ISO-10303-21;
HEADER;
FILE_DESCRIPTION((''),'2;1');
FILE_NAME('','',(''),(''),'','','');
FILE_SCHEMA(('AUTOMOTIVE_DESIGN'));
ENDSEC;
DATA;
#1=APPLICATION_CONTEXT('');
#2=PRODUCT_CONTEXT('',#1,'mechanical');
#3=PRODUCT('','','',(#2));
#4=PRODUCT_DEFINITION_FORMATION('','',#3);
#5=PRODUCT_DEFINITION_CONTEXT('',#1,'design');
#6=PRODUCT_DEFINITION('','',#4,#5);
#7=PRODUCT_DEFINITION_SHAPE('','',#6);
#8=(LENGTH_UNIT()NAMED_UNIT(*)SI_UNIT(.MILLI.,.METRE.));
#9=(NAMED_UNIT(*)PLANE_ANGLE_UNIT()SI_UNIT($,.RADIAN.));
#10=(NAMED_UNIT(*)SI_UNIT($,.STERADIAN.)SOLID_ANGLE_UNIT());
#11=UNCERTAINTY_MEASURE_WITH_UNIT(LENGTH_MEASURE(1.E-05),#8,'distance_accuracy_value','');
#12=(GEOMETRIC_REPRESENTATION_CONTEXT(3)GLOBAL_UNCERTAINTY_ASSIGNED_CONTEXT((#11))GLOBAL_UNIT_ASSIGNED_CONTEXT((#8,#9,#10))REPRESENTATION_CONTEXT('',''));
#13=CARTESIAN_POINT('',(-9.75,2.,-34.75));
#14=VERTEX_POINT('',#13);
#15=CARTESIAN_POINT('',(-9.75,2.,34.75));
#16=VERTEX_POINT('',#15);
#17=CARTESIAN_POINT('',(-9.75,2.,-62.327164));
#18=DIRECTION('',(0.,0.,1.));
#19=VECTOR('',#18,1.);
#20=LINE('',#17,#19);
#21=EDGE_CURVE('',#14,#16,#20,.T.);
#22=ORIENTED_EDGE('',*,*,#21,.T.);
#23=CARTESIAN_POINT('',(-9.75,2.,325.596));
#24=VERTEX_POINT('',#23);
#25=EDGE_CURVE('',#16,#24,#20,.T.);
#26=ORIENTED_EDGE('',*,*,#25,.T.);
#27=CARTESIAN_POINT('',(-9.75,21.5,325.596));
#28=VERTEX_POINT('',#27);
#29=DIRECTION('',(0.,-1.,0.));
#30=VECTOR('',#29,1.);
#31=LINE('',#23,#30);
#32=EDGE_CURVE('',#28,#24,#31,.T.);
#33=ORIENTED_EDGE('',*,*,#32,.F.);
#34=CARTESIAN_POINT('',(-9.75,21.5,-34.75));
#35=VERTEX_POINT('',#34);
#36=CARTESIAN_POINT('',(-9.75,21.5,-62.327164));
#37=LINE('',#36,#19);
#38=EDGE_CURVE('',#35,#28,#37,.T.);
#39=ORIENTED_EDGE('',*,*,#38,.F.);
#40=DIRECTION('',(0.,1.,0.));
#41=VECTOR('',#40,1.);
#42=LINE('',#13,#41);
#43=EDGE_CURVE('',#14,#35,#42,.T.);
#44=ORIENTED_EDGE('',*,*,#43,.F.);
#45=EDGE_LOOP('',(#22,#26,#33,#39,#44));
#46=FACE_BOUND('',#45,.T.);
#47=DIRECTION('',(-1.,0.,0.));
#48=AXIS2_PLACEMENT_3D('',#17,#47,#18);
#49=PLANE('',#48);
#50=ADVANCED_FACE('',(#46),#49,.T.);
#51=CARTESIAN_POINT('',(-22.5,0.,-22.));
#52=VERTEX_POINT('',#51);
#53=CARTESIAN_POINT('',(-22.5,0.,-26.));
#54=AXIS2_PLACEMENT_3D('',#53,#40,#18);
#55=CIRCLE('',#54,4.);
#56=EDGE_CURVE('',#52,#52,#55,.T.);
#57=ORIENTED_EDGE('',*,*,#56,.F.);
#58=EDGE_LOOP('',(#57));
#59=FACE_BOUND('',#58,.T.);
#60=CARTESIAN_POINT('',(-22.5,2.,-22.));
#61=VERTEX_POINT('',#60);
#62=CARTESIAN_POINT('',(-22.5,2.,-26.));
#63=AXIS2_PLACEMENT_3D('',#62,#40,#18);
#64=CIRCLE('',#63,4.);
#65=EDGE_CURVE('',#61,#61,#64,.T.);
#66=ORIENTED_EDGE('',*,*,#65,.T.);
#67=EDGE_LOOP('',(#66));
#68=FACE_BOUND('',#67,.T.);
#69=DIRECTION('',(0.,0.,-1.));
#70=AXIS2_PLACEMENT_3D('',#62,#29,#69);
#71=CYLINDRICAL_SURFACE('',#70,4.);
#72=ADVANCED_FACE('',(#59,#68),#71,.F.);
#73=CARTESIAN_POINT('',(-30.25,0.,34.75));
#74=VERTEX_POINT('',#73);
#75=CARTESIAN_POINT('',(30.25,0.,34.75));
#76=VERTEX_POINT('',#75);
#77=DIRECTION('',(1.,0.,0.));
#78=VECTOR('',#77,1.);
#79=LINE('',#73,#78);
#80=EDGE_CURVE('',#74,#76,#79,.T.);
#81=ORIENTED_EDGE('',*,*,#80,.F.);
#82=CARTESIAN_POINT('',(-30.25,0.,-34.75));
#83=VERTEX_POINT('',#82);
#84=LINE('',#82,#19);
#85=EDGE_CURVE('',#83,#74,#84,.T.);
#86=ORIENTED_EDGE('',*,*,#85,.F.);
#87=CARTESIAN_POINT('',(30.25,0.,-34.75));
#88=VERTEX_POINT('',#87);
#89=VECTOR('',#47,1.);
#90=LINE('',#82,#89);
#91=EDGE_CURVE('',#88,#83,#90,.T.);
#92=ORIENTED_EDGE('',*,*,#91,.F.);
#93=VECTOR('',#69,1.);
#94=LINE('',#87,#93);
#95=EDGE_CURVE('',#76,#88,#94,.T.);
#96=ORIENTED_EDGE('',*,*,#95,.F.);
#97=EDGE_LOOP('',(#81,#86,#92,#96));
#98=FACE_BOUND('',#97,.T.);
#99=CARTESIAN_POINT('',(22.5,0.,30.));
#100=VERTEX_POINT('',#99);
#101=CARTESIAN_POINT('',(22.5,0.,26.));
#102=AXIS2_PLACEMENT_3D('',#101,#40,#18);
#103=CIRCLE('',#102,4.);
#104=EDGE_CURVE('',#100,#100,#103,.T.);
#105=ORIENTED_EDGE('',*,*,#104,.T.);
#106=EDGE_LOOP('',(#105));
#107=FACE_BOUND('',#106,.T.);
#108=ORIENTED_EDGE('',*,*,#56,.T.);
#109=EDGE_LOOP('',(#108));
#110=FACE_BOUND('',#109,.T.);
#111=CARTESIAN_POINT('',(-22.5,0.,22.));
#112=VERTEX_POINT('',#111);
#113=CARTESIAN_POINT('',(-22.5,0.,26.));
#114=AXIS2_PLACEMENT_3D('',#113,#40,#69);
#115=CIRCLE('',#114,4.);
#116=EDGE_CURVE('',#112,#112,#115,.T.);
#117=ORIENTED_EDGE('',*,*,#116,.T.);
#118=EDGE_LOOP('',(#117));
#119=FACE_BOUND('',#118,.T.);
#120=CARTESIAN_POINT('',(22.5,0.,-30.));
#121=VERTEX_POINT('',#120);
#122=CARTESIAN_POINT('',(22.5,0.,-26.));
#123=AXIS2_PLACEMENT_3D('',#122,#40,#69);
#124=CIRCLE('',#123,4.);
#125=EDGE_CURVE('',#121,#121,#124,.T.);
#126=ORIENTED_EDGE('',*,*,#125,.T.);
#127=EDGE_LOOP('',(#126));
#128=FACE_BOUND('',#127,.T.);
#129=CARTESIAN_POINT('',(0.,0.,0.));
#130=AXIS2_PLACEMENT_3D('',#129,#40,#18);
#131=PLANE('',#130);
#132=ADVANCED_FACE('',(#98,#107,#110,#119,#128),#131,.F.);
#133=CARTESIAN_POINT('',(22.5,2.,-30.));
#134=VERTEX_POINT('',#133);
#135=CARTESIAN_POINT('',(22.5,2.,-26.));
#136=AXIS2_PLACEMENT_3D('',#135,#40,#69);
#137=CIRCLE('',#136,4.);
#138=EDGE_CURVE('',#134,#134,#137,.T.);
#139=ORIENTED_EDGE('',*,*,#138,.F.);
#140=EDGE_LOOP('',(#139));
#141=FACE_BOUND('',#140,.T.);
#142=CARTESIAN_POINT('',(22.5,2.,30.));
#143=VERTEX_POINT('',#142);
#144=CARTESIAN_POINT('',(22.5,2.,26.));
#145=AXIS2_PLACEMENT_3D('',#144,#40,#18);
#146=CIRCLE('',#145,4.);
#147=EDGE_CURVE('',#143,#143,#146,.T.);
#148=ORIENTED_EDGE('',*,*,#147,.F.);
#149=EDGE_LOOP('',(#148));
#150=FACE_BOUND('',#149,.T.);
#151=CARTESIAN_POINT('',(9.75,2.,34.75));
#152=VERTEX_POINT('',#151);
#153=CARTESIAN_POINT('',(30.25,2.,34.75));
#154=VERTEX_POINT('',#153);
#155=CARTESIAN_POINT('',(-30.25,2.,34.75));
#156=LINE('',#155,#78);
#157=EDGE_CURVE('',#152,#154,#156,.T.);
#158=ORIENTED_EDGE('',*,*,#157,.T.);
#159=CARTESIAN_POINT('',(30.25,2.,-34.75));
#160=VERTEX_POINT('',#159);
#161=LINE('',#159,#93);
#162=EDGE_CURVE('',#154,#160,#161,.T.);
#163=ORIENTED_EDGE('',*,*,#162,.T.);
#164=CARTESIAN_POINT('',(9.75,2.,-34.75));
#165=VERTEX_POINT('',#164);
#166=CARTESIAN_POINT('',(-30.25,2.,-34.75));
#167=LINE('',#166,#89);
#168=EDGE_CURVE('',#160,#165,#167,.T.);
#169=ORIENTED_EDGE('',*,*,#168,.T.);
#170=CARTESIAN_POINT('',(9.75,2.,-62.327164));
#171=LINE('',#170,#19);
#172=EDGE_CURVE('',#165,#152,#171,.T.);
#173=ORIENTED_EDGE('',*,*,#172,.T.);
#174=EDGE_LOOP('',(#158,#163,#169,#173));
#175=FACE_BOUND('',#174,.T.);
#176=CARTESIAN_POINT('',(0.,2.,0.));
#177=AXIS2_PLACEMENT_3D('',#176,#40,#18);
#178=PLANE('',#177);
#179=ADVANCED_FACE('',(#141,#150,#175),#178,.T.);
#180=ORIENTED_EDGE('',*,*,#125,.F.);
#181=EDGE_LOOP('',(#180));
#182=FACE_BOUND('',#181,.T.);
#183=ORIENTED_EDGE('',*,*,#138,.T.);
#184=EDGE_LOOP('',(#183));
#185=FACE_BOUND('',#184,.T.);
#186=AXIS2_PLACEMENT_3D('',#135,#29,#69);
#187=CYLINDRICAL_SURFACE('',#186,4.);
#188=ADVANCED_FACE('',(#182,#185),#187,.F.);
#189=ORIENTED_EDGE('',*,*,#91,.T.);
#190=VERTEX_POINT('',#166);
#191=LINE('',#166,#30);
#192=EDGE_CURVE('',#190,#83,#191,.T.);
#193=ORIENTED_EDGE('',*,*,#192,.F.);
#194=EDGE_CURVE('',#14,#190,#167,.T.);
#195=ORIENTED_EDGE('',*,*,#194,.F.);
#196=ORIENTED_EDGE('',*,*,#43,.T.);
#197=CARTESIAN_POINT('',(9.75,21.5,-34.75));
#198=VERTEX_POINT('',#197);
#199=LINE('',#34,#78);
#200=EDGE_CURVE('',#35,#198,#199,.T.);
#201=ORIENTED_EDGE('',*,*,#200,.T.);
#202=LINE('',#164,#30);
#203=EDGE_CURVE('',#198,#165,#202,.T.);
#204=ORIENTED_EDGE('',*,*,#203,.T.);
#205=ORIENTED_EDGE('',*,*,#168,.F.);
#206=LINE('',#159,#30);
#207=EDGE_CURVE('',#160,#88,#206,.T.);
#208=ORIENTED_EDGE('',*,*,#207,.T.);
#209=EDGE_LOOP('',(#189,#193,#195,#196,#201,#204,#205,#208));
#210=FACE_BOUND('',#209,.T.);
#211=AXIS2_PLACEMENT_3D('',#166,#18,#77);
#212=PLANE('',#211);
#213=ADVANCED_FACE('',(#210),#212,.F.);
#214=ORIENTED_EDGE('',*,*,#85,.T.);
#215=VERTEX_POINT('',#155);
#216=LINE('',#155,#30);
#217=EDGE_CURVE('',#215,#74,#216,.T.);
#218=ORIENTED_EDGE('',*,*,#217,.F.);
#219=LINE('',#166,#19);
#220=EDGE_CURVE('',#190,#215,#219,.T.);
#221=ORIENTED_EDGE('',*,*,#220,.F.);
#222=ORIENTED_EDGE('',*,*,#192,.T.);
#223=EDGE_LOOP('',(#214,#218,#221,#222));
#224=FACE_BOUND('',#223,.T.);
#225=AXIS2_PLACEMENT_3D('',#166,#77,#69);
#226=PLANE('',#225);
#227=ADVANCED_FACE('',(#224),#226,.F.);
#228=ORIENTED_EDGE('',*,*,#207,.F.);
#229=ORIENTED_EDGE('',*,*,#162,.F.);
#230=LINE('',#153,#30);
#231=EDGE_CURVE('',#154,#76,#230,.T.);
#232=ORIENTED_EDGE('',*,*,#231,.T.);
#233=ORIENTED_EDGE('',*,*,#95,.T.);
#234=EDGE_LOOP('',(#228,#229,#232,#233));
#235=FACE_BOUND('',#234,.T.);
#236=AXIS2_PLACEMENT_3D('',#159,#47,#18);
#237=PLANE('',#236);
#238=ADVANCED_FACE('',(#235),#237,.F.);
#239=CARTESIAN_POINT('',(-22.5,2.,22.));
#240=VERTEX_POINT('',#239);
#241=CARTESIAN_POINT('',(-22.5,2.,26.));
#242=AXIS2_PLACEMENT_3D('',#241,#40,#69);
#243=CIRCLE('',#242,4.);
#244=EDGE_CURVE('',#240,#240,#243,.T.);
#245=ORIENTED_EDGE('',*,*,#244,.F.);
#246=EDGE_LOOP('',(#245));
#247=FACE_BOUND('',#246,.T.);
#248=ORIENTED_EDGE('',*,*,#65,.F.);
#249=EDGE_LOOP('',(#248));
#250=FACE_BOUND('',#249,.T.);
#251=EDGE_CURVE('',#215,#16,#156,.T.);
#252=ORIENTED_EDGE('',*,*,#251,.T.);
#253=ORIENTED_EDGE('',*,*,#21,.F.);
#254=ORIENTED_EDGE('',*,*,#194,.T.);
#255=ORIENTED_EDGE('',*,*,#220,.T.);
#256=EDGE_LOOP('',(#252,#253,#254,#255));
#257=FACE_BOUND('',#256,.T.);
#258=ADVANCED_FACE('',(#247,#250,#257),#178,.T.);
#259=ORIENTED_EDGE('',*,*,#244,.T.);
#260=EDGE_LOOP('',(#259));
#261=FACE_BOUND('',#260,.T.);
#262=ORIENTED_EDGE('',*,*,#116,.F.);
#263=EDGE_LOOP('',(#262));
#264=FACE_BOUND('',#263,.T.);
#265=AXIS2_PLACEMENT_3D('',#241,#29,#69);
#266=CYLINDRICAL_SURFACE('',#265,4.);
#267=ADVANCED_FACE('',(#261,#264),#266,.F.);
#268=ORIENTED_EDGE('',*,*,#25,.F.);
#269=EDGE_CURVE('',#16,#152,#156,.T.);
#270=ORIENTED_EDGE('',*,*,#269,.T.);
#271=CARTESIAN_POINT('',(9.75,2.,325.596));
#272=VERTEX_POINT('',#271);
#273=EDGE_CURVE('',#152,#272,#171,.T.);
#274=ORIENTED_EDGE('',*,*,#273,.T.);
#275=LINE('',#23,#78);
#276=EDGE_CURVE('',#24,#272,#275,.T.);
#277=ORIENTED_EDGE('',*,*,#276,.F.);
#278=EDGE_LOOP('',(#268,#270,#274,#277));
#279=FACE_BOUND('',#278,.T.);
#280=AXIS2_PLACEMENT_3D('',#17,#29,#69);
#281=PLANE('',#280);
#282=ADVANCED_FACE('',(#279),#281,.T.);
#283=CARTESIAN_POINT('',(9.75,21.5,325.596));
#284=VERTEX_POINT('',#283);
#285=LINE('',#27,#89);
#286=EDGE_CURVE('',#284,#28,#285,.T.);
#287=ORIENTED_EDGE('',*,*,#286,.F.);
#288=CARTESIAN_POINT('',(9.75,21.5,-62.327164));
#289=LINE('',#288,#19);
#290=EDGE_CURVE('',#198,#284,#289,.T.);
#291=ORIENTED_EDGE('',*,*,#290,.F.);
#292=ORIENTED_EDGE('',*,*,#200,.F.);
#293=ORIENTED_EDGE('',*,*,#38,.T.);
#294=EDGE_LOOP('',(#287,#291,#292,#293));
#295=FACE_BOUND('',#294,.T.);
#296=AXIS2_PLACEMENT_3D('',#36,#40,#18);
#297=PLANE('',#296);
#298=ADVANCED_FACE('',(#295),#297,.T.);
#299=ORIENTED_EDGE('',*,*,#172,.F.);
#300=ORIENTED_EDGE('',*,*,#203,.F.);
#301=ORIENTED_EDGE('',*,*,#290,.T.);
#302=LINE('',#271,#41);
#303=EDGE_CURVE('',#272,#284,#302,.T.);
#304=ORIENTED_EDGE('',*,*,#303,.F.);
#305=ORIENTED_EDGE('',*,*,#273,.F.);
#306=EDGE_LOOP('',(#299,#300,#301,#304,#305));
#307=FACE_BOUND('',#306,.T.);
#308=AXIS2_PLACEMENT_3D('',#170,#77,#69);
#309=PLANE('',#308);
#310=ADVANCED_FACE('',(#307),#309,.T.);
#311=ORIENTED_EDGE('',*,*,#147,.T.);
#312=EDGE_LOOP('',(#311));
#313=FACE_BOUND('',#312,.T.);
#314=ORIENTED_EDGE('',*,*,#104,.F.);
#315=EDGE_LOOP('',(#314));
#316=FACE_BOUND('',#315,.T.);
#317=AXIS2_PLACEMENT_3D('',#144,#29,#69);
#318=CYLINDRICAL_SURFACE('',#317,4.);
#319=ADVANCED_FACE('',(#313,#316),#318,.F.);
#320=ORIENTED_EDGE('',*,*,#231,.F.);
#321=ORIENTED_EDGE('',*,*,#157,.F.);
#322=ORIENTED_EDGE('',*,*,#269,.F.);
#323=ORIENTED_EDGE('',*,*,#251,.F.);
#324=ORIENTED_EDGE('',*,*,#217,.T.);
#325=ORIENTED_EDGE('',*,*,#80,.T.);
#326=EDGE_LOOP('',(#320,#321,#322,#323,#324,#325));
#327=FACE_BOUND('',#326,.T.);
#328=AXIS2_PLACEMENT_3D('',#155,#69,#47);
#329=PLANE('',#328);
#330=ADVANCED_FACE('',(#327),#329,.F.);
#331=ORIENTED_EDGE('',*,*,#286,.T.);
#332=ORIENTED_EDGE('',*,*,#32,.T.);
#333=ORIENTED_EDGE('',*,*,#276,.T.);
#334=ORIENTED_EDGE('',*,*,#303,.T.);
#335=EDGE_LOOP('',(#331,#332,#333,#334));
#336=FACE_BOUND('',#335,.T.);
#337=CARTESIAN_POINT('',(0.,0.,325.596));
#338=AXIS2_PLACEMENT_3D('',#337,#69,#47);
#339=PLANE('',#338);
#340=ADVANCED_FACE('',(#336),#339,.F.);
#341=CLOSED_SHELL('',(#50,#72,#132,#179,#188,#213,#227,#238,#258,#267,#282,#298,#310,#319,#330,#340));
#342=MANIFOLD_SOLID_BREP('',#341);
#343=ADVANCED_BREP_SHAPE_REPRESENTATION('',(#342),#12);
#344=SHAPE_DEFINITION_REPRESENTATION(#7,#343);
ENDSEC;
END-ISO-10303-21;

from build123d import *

# Parameters (mm, degrees)
SKETCH1_W                = 60.5
SKETCH1_H                = 69.5
SKETCH1_R                = 4
BOSS_EXTRUDE1_DEPTH      = 2
SKETCH2_W                = 19.5
SKETCH2_H                = 19.5
BOSS_EXTRUDE2_DEPTH      = 325.596
BOSS_EXTRUDE2_DEPTH_BACK = 34.75


with BuildPart() as part:
    # Sketch1 → Boss-Extrude1 (new body)
    with BuildSketch(Plane(origin=(0, 0, 0), x_dir=(1, 0, 0), z_dir=(0, 1, 0))):
        Rectangle(SKETCH1_W, SKETCH1_H)
        with Locations((-22.5, 26)):
            Circle(SKETCH1_R, mode=Mode.SUBTRACT)
        with Locations((22.5, 26)):
            Circle(SKETCH1_R, mode=Mode.SUBTRACT)
        with Locations((-22.5, -26)):
            Circle(SKETCH1_R, mode=Mode.SUBTRACT)
        with Locations((22.5, -26)):
            Circle(SKETCH1_R, mode=Mode.SUBTRACT)
    extrude(amount=BOSS_EXTRUDE1_DEPTH)

    # Sketch2 → Boss-Extrude2 (add, two sides)
    with BuildSketch(Plane.XY) as boss_extrude2_sk:
        with Locations((0, 11.75)):
            Rectangle(SKETCH2_W, SKETCH2_H)
    extrude(amount=BOSS_EXTRUDE2_DEPTH)
    extrude(boss_extrude2_sk.sketch, amount=-BOSS_EXTRUDE2_DEPTH_BACK)


solid = part.part
